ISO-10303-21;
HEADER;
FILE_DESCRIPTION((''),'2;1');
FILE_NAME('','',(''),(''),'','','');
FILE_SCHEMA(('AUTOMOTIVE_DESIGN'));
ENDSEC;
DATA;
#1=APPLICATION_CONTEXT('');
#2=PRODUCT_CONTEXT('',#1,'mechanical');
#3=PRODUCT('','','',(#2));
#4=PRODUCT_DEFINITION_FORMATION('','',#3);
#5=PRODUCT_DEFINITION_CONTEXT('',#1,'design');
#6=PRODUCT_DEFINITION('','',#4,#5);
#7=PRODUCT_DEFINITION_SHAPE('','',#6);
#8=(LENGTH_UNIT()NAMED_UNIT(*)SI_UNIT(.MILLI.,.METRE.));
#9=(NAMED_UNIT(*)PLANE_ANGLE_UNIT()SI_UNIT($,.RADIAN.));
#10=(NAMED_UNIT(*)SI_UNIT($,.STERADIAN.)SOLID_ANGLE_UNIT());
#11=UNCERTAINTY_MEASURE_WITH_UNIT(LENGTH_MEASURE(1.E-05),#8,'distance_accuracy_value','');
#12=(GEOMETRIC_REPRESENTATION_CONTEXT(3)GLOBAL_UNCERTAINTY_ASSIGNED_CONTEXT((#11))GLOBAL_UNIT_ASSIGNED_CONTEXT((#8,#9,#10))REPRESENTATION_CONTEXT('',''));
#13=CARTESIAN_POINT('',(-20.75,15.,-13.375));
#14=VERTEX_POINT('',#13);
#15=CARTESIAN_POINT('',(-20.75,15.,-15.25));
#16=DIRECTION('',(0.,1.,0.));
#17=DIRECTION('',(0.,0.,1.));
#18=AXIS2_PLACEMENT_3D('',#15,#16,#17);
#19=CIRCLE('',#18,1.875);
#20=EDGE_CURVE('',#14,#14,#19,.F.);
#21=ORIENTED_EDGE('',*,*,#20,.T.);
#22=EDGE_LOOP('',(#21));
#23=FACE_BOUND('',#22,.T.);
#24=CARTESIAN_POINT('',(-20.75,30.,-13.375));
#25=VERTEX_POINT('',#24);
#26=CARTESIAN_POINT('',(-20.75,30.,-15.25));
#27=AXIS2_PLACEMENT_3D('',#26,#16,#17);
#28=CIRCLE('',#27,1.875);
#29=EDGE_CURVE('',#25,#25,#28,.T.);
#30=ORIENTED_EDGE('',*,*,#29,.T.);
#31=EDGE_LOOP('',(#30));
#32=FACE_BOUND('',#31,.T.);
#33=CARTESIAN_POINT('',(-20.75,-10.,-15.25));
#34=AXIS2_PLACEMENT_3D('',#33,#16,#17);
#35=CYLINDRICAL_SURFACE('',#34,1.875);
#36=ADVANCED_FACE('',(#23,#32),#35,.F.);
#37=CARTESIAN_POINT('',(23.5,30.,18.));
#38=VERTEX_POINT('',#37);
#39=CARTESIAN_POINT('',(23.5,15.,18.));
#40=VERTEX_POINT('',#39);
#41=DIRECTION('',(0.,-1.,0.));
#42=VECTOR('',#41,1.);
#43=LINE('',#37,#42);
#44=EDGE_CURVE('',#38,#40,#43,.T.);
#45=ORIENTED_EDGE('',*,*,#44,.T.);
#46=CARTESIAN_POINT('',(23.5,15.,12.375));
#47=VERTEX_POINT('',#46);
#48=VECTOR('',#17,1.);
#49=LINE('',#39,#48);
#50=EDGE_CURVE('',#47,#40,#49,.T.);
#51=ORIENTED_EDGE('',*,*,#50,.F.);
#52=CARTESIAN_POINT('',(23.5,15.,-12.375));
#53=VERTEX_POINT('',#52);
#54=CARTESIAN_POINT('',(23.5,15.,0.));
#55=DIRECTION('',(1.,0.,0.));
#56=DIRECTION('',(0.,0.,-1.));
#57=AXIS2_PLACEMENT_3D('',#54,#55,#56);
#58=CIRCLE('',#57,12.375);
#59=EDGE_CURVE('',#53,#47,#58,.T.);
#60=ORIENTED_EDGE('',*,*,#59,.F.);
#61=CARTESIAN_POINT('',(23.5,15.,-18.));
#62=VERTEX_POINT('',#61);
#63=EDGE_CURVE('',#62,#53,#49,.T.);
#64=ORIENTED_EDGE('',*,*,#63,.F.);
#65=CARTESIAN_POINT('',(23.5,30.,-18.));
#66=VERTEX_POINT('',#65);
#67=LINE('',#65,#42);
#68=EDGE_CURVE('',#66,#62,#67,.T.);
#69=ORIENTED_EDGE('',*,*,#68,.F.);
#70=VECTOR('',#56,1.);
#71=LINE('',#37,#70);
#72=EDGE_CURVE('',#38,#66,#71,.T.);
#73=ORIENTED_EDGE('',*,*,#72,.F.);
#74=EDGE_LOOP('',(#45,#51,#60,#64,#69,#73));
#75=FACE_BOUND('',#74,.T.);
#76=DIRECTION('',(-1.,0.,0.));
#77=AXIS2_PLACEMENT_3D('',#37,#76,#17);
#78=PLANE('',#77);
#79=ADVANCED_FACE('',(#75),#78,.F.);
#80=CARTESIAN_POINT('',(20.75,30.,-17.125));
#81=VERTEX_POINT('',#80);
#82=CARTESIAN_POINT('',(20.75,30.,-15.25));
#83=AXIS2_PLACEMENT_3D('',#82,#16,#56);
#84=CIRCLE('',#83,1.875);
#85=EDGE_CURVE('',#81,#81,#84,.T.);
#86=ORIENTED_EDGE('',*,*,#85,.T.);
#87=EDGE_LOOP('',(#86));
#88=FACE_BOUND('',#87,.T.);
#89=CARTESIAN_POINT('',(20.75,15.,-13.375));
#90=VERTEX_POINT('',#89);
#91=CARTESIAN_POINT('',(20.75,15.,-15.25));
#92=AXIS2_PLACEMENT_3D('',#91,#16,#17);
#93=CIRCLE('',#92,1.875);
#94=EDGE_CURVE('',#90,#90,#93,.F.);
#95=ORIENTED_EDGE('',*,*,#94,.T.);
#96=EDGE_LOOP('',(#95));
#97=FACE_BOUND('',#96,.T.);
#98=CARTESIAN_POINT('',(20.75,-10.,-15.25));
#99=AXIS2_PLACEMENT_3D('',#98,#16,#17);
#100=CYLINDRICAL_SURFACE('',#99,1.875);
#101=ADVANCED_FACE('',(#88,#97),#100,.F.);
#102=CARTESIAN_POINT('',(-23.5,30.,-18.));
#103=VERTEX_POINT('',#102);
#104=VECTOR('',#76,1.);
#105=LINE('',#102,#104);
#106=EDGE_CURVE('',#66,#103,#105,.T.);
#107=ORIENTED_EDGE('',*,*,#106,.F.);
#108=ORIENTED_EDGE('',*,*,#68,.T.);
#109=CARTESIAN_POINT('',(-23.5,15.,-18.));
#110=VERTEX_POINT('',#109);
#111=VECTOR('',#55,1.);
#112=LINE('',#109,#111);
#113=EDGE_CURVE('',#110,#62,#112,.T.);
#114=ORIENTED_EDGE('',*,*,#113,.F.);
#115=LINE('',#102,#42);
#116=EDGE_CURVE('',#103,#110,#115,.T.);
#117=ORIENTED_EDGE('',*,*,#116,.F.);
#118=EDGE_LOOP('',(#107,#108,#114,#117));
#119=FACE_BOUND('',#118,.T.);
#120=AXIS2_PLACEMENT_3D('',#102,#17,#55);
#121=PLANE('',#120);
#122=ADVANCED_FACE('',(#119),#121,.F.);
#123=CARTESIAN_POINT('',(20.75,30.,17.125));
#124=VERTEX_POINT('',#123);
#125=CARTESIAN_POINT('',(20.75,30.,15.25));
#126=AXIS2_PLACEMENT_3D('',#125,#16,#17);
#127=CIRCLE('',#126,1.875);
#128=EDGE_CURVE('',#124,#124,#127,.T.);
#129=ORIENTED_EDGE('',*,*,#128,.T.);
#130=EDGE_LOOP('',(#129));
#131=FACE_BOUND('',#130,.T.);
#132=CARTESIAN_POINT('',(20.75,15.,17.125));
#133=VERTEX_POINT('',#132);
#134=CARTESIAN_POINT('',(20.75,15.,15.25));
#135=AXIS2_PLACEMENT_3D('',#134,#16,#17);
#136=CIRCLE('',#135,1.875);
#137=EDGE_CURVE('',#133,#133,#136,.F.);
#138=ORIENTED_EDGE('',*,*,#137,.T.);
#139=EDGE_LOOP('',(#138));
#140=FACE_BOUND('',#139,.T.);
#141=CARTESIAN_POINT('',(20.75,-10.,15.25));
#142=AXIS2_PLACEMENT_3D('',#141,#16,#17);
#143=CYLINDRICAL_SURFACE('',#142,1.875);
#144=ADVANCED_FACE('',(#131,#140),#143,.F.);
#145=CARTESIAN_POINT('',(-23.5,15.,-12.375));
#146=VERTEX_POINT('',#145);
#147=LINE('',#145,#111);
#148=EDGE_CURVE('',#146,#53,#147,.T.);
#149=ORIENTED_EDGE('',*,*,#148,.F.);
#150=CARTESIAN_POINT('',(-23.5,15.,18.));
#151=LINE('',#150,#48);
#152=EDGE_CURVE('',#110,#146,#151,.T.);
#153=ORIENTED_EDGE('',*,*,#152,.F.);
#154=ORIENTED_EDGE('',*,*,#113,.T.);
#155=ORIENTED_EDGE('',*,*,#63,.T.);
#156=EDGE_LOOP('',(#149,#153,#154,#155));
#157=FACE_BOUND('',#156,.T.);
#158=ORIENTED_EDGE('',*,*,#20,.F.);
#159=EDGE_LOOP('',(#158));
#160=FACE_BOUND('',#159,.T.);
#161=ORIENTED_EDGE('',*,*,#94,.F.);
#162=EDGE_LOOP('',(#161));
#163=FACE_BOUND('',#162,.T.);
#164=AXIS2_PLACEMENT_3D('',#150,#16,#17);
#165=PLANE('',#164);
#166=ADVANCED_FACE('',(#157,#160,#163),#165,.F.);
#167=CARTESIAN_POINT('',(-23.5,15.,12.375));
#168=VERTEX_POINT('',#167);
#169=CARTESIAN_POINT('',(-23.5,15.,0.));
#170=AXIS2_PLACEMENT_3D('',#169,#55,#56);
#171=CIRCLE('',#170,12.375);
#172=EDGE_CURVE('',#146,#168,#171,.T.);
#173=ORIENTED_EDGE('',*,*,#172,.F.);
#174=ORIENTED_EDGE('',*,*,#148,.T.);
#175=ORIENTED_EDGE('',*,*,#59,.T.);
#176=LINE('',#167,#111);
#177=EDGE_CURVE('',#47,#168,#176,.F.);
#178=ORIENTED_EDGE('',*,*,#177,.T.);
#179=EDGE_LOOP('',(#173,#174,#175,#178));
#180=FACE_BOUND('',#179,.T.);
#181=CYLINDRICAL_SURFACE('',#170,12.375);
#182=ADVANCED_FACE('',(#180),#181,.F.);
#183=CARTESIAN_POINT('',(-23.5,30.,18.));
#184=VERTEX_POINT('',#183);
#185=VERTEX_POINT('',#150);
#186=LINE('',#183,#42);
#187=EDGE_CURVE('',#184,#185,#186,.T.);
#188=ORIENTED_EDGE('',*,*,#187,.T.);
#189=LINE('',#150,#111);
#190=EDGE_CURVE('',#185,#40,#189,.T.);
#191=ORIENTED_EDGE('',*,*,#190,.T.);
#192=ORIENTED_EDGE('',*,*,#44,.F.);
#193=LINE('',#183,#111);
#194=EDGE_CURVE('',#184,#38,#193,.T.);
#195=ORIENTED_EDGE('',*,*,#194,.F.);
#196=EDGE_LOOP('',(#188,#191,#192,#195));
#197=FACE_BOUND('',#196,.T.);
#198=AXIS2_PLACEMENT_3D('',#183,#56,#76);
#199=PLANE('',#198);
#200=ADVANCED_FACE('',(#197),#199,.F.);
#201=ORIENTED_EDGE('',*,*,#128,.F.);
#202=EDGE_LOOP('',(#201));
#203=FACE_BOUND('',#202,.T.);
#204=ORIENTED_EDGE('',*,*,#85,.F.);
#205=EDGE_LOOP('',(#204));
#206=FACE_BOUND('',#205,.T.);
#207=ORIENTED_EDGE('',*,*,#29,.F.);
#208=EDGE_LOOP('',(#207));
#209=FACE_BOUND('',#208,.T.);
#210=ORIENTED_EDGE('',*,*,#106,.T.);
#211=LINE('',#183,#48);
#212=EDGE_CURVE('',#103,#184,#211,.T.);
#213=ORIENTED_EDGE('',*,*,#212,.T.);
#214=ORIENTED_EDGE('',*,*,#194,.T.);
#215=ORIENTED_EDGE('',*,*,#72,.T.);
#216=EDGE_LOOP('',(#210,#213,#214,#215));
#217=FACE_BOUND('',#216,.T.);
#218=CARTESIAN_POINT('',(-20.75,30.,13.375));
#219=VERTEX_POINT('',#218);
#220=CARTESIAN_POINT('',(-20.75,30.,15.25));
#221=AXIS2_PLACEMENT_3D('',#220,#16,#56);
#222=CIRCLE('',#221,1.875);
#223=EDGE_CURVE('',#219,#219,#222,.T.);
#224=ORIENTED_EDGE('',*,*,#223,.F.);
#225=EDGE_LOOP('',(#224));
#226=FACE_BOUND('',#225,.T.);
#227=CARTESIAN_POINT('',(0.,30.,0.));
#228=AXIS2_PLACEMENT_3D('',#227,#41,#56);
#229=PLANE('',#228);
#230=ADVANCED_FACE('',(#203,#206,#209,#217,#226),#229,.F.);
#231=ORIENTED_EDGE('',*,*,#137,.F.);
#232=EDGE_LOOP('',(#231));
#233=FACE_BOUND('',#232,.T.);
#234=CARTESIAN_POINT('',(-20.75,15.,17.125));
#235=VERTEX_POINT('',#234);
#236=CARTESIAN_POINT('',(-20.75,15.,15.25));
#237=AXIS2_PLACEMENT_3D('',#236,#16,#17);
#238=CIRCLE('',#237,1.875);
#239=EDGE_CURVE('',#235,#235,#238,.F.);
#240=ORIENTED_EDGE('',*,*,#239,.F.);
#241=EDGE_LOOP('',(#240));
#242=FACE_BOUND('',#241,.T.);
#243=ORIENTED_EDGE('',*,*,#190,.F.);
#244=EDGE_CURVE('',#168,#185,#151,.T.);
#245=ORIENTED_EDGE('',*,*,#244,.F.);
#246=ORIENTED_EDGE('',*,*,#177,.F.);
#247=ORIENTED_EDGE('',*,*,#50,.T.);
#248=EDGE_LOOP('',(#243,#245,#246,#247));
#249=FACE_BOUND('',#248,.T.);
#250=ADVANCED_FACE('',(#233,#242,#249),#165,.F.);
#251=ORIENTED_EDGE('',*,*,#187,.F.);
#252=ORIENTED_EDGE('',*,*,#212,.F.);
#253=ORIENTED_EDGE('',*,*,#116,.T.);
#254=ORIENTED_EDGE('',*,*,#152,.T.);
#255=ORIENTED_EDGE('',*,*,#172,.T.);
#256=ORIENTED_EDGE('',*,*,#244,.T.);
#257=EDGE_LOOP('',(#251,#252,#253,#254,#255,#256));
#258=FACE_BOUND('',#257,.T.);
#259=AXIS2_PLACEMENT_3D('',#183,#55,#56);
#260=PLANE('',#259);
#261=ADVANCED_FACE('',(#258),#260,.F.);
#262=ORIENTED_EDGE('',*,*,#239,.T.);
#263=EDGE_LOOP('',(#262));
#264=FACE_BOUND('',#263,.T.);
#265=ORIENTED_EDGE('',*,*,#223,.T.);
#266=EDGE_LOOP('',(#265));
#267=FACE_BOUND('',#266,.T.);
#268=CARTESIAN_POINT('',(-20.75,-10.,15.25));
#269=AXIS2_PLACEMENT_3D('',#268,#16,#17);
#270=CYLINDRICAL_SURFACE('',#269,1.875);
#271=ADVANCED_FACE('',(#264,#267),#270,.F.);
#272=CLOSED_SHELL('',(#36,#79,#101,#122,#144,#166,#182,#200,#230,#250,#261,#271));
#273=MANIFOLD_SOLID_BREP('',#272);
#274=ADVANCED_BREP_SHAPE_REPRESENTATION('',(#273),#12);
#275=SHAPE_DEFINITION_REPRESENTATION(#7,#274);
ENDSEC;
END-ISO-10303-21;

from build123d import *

# Parameters (mm, degrees)
SKETCH1_W           = 47
SKETCH1_H           = 36
BOSS_EXTRUDE1_DEPTH = 30
SKETCH3_R           = 12.375
CUT_EXTRUDE1_DEPTH  = 47
SKETCH5_R           = 1.875
CUT_EXTRUDE2_DEPTH  = 40
CUT_EXTRUDE3_START  = 23.5
SKETCH7_W           = 36
SKETCH7_H           = 15
CUT_EXTRUDE3_DEPTH  = 48


with BuildPart() as part:
    # Sketch1 → Boss-Extrude1 (new body)
    with BuildSketch(Plane(origin=(0, 0, 0), x_dir=(1, 0, 0), z_dir=(0, 1, 0))):
        Rectangle(SKETCH1_W, SKETCH1_H)
    extrude(amount=BOSS_EXTRUDE1_DEPTH)

    # Sketch3 → Cut-Extrude1 (cut)
    with BuildSketch(Plane(origin=(23.5, 0, 0), x_dir=(0, 0, -1), z_dir=(1, 0, 0))):
        with Locations((0, 15)):
            Circle(SKETCH3_R)
    extrude(amount=-CUT_EXTRUDE1_DEPTH, mode=Mode.SUBTRACT)

    # Sketch5 → Cut-Extrude2 (cut)
    with BuildSketch(Plane(origin=(0, 30, 0), x_dir=(1, 0, 0), z_dir=(0, 1, 0))):
        with Locations((-20.75, 15.25)):
            Circle(SKETCH5_R)
        with Locations((-20.75, -15.25)):
            Circle(SKETCH5_R)
        with Locations((20.75, -15.25)):
            Circle(SKETCH5_R)
        with Locations((20.75, 15.25)):
            Circle(SKETCH5_R)
    extrude(amount=-CUT_EXTRUDE2_DEPTH, mode=Mode.SUBTRACT)

    # Sketch7 → Cut-Extrude3 (cut, through all)
    with BuildSketch(Plane(origin=(0, 0, 0), x_dir=(0, 0, -1), z_dir=(1, 0, 0)).offset(CUT_EXTRUDE3_START)):
        with Locations((0, 7.5)):
            Rectangle(SKETCH7_W, SKETCH7_H)
    extrude(amount=-CUT_EXTRUDE3_DEPTH, mode=Mode.SUBTRACT)


solid = part.part
